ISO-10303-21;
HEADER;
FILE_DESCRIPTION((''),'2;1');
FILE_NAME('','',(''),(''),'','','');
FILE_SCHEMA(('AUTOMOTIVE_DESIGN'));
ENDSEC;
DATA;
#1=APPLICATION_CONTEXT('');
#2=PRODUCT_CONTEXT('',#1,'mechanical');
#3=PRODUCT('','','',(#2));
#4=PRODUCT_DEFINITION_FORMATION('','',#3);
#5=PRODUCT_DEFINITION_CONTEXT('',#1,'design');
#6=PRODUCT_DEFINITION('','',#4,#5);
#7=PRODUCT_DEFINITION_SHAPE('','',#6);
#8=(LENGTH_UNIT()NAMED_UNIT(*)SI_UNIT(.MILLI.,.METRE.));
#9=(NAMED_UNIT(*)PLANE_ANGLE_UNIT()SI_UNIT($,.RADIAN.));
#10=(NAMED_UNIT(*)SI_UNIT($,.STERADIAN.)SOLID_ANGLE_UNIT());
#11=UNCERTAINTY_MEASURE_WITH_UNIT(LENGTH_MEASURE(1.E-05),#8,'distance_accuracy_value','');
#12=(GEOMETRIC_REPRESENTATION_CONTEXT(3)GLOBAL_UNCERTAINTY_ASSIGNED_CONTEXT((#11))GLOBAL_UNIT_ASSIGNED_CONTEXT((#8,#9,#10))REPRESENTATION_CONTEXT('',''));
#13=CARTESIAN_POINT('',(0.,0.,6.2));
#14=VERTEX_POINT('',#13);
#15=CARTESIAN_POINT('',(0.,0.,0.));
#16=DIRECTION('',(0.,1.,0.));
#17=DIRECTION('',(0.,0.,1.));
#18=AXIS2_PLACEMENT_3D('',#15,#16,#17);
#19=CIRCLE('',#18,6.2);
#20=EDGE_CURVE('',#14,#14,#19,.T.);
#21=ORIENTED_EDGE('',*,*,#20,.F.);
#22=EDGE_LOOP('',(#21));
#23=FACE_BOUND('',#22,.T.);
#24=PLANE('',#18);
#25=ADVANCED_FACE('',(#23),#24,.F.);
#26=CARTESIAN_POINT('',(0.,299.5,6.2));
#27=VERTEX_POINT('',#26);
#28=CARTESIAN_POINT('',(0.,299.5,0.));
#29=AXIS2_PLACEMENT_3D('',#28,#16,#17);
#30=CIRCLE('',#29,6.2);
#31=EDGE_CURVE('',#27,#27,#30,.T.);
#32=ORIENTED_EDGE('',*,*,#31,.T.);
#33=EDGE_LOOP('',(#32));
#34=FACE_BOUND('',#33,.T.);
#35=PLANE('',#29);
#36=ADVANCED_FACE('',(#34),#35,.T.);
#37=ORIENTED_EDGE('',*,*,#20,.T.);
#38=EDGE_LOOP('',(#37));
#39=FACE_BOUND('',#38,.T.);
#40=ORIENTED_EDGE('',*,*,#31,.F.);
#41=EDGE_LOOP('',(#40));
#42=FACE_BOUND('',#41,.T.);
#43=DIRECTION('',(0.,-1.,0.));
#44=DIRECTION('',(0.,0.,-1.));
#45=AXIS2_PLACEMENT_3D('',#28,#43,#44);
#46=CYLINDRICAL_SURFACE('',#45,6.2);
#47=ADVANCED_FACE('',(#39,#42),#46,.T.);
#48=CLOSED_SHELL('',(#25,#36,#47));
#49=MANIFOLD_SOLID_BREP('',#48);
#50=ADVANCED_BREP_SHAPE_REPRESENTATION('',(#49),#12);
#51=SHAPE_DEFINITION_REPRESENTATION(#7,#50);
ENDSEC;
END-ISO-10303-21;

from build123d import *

# Parameters (mm, degrees)
SKETCH1_R           = 6.2
BOSS_EXTRUDE1_DEPTH = 299.5


with BuildPart() as part:
    # Sketch1 → Boss-Extrude1 (new body)
    with BuildSketch(Plane(origin=(0, 0, 0), x_dir=(1, 0, 0), z_dir=(0, 1, 0))):
        with Locations(Location((0, 0, 0), (0, 0, 270))):
            Circle(SKETCH1_R)
    extrude(amount=BOSS_EXTRUDE1_DEPTH)


solid = part.part
